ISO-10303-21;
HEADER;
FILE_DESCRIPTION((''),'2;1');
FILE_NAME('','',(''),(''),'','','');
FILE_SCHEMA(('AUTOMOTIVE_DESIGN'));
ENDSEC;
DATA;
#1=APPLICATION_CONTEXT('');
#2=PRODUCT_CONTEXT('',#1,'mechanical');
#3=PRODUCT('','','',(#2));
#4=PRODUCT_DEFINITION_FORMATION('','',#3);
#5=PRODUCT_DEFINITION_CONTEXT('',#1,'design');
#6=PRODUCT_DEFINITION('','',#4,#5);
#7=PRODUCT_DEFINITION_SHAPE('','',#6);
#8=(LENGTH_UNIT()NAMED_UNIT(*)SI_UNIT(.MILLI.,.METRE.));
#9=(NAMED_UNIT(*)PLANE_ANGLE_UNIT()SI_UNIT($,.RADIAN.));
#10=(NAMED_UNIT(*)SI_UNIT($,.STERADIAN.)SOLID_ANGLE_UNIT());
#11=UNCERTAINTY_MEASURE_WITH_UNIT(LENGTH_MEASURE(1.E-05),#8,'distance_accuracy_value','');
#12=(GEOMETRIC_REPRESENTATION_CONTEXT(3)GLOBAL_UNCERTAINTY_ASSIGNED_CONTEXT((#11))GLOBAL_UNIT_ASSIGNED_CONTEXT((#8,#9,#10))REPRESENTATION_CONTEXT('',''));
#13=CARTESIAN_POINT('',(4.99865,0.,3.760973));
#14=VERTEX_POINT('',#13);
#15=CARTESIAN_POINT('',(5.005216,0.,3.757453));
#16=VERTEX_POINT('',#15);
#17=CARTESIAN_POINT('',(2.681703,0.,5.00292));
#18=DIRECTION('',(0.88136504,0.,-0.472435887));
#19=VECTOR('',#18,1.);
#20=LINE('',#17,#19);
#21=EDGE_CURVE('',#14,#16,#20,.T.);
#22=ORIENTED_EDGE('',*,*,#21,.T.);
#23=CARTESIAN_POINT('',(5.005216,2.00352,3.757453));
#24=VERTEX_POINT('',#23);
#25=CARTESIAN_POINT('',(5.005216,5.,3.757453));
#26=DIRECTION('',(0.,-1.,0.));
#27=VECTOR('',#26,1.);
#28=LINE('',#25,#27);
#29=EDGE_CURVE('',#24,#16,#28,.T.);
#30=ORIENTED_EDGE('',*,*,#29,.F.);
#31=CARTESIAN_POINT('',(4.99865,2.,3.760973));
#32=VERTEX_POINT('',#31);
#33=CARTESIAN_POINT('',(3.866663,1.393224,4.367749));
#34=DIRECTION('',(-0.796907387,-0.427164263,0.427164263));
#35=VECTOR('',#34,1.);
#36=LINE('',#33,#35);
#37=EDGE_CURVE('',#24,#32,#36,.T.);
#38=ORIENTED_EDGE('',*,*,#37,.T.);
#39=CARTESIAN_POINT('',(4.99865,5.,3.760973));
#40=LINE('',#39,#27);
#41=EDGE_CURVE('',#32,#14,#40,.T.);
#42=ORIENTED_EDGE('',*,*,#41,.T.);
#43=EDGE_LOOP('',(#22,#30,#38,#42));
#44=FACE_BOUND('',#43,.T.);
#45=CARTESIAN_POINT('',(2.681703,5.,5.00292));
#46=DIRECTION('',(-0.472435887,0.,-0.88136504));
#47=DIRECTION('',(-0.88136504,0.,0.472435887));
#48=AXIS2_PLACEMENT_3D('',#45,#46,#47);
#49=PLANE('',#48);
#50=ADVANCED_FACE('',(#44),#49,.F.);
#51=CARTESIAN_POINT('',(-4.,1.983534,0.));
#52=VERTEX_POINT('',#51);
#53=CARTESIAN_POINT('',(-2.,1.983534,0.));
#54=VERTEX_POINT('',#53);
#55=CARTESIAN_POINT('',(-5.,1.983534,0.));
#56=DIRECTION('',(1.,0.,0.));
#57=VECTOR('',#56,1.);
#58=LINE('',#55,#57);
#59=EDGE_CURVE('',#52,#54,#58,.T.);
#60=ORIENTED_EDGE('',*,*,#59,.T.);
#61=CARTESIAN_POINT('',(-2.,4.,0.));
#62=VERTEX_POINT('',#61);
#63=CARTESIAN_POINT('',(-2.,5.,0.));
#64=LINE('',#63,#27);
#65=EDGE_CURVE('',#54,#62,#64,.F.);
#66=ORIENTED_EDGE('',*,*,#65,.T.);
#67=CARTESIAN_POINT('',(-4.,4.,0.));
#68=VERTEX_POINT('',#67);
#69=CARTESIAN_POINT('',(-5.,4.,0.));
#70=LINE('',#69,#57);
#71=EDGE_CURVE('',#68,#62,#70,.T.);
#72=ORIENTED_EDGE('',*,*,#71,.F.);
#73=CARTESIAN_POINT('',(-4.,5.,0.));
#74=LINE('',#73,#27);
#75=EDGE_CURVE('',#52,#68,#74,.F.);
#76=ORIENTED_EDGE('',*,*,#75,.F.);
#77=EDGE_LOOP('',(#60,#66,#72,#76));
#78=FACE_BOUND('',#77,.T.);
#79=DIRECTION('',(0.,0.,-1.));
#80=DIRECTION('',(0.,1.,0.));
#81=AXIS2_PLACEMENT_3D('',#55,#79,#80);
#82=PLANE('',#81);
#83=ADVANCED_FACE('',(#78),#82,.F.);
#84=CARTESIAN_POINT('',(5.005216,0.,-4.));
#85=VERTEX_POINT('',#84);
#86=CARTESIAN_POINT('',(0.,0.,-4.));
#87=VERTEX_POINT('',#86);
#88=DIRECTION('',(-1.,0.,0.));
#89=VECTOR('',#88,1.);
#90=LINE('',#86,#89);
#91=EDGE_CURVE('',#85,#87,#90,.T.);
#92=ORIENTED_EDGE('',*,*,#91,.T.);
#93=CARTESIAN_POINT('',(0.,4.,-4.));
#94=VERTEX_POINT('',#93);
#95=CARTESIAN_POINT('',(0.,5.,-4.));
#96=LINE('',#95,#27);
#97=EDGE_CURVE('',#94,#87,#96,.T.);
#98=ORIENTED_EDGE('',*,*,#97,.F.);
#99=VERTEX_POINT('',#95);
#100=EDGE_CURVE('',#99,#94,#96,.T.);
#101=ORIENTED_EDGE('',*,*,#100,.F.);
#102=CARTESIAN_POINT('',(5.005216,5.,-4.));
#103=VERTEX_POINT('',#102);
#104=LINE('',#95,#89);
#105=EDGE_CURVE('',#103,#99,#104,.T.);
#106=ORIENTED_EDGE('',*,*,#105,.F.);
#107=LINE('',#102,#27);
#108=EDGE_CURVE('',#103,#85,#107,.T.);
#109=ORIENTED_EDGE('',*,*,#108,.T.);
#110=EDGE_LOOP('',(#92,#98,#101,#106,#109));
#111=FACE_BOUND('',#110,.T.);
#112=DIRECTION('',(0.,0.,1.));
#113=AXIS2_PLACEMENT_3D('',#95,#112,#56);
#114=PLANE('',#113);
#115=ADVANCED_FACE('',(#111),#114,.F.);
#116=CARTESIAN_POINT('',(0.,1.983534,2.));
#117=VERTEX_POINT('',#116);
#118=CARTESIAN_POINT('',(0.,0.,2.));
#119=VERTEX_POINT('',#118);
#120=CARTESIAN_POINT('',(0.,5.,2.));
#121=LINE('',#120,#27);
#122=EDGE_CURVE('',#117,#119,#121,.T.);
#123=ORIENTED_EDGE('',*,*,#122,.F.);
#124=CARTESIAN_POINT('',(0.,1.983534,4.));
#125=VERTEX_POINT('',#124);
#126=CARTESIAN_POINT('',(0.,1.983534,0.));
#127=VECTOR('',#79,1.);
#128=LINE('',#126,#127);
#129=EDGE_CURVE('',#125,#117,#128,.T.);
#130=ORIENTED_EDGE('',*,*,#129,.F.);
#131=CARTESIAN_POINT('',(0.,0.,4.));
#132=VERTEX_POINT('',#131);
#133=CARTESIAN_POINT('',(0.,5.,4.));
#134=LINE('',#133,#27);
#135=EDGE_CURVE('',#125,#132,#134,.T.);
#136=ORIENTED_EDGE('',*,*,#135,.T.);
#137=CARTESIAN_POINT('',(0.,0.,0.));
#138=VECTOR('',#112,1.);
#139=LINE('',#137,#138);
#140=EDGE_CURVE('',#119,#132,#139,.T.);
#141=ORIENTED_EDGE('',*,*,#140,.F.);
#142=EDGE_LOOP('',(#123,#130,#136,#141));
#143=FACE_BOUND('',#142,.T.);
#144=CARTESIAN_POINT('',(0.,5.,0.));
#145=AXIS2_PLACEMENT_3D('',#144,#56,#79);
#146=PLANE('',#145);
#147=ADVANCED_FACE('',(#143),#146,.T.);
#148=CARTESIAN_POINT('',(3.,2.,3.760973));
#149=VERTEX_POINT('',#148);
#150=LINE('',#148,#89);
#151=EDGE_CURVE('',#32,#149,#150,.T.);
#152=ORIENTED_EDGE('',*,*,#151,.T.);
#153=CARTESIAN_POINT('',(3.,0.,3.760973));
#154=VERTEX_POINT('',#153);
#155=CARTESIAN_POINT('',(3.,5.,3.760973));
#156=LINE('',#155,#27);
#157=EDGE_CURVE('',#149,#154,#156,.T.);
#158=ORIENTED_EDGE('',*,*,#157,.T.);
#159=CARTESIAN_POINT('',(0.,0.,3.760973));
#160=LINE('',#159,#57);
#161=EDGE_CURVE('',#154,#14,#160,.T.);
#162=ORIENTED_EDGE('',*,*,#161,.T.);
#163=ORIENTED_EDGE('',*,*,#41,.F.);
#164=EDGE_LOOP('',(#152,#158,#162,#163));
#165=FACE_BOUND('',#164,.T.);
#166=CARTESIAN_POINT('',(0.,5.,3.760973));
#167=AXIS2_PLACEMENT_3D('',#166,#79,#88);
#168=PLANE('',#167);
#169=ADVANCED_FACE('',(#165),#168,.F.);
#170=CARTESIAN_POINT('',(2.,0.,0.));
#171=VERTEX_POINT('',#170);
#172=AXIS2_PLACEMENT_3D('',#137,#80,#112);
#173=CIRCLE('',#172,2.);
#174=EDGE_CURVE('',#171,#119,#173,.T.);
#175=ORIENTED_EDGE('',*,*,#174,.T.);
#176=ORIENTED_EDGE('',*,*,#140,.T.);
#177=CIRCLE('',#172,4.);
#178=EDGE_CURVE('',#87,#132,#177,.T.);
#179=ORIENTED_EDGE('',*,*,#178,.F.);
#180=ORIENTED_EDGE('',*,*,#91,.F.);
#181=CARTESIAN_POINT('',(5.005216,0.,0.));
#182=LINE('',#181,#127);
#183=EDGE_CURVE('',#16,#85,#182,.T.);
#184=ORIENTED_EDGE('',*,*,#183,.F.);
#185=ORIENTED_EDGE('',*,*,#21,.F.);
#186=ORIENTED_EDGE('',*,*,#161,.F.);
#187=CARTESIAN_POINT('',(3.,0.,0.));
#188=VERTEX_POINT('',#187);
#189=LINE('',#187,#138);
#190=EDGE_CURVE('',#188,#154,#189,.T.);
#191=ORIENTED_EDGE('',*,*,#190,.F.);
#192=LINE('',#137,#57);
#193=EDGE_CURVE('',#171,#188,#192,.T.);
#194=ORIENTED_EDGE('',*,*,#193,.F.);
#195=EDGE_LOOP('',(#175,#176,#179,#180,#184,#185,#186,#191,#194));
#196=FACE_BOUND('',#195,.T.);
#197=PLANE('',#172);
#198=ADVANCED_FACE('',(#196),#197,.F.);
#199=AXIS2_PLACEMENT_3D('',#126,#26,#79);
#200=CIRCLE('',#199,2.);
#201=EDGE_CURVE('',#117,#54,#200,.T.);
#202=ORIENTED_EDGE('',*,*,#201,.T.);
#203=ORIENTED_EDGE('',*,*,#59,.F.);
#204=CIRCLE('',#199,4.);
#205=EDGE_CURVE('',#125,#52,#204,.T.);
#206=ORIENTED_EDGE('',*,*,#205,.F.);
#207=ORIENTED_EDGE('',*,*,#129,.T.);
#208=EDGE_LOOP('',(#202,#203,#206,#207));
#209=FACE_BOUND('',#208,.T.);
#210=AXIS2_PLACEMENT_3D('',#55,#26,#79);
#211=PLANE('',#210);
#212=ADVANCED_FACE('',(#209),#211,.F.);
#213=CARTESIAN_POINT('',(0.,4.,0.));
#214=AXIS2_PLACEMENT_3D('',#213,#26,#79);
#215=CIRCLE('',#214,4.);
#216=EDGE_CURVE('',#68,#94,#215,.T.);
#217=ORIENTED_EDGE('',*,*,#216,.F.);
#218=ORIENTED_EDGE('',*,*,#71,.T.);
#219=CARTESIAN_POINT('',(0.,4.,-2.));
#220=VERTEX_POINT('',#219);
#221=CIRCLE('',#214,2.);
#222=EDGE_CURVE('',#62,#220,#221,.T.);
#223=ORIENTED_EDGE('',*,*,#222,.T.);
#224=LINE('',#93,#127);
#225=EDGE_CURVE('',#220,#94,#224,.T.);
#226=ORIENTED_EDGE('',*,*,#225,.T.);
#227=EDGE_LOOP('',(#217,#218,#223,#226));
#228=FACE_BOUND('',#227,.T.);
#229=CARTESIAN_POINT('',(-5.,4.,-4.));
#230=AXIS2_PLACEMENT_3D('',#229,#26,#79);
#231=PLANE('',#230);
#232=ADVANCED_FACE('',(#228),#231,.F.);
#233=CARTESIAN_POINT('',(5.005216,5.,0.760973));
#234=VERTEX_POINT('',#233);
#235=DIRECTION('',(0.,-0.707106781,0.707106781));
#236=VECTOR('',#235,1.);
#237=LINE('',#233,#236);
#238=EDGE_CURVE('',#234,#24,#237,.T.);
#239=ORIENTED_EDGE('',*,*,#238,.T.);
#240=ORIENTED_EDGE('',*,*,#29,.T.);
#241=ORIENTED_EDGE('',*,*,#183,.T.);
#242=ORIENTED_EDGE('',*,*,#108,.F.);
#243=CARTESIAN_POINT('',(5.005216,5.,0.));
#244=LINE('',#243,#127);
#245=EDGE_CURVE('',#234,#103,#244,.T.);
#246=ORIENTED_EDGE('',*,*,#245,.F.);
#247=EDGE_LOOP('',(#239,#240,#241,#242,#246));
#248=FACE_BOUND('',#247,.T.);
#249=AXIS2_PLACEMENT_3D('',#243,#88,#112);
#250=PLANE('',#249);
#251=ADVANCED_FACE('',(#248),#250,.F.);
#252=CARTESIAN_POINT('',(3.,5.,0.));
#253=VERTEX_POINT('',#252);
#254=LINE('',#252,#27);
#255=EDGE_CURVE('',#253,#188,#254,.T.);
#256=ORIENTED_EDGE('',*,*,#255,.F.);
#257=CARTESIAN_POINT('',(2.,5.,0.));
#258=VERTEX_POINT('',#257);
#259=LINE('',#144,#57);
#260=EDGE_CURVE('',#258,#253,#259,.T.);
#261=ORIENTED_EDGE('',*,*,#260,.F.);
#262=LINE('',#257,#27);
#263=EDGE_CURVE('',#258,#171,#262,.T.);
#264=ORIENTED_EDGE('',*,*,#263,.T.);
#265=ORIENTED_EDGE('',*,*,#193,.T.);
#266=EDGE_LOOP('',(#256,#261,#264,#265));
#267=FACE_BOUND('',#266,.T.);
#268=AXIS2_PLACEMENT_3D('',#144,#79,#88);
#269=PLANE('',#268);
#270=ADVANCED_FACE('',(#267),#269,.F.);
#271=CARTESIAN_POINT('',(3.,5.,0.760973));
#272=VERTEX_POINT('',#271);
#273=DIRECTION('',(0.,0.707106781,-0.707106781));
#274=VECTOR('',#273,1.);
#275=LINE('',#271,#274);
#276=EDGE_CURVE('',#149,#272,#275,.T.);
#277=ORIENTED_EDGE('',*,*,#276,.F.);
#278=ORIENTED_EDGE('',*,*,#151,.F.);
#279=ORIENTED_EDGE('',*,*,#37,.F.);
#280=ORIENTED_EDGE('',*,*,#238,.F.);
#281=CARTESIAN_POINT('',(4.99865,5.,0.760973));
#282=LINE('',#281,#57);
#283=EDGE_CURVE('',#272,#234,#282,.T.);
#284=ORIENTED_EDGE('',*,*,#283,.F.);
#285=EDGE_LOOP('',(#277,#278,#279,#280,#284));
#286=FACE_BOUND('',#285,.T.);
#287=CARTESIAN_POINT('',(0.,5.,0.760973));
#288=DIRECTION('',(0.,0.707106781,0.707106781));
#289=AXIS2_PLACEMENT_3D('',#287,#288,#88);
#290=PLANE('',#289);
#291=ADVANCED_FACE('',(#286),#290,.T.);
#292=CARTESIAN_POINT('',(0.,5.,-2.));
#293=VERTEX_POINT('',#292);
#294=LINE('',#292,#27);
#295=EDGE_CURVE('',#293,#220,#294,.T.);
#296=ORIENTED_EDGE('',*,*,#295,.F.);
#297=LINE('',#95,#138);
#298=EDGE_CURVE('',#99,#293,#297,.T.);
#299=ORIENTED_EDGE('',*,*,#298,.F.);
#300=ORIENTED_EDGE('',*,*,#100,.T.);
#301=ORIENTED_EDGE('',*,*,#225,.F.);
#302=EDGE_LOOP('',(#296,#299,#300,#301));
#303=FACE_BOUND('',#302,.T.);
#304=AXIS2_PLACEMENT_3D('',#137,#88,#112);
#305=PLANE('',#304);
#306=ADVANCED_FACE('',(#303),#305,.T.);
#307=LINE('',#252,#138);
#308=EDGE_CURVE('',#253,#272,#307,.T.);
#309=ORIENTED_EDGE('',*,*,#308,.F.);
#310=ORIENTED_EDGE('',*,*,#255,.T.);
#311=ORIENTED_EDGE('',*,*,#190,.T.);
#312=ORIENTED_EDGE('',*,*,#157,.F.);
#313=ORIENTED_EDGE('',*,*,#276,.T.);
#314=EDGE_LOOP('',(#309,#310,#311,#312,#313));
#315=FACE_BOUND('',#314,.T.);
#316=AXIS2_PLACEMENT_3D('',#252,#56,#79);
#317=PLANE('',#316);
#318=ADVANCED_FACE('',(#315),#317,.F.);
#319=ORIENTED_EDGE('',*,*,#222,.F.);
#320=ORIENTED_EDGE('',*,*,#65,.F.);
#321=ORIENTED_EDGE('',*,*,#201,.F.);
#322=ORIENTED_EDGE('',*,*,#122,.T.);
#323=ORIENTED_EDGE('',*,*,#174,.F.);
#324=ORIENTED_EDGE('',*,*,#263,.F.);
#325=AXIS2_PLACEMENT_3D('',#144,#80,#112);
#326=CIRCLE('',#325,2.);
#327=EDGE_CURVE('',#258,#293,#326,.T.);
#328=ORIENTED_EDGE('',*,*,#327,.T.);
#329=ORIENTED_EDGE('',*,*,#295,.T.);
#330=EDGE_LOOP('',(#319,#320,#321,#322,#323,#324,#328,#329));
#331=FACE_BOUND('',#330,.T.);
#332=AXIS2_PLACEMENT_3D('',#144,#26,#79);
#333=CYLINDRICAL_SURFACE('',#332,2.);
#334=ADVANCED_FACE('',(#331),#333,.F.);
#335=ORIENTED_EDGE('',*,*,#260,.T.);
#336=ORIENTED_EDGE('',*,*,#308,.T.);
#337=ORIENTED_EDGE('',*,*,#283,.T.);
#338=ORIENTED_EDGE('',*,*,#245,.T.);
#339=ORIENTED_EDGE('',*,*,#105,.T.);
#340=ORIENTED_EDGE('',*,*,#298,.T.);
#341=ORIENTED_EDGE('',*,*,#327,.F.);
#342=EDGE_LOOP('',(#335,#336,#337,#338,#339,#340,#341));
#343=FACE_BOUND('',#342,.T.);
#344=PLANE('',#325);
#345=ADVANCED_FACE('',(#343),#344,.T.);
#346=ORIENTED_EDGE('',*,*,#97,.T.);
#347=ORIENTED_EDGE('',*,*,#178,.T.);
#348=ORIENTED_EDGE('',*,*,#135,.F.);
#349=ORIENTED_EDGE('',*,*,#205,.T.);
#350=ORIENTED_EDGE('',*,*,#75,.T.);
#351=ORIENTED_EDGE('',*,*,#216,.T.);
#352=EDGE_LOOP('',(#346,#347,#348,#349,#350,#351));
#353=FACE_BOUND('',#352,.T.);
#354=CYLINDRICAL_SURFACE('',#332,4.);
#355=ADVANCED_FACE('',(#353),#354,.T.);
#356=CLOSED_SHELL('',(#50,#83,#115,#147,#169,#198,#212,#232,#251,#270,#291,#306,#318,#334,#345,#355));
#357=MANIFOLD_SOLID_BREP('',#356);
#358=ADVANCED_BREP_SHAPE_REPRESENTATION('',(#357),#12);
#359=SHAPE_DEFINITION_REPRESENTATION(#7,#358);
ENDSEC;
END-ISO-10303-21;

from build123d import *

# Parameters (mm, degrees)
BOSS_EXTRUDE1_DEPTH = 5
CUT_EXTRUDE1_DEPTH  = 5
CHAMFER1_SIZE       = 3


with BuildPart() as part:
    # Sketch1 → Boss-Extrude1 (new body)
    with BuildSketch(Plane(origin=(0, 0, 0), x_dir=(1, 0, 0), z_dir=(0, 1, 0))):
        with BuildLine():
            Line((0, -4), (0, -2))
            ThreePointArc((0, -2), (-1.414213562, 1.414213562), (2, 0))
            Line((2, 0), (3, 0))
            Line((3, 0), (3, -3.760972677))
            Line((3, -3.760972677), (4.998650065, -3.760972677))
            Line((4.998650065, -3.760972677), (5.005216321, -3.757452983))
            Line((5.005216321, -3.757452983), (5.005216321, 4))
            Line((5.005216321, 4), (0, 4))
            ThreePointArc((0, 4), (-4, 0), (0, -4))
        make_face()
    extrude(amount=BOSS_EXTRUDE1_DEPTH)

    # Sketch2 → Cut-Extrude1 (cut)
    with BuildSketch(Plane(origin=(0, 0, 0), x_dir=(0, 0, -1), z_dir=(1, 0, 0))):
        Polygon((4, 5), (0, 5), (0, 4.983533527), (-4, 4.983533527), (-4, 1.983533527), (0, 1.983533527), (0, 4), (4, 4), align=None)
    extrude(amount=-CUT_EXTRUDE1_DEPTH, mode=Mode.SUBTRACT)


with BuildPart() as cut_extrude1_kept_piece:
    # of the separate pieces the step leaves, the one the design keeps (cut_extrude1_pieces_kept)
    add(part.part.solids().sort_by_distance((0, 0, 4))[0])

    # Chamfer1
    chamfer1_edges = [cut_extrude1_kept_piece.edges().sort_by_distance(p)[0] for p in [
        (3.999325033, 5, 3.760972677),
    ]]
    chamfer(chamfer1_edges, length=CHAMFER1_SIZE)


solid = cut_extrude1_kept_piece.part
